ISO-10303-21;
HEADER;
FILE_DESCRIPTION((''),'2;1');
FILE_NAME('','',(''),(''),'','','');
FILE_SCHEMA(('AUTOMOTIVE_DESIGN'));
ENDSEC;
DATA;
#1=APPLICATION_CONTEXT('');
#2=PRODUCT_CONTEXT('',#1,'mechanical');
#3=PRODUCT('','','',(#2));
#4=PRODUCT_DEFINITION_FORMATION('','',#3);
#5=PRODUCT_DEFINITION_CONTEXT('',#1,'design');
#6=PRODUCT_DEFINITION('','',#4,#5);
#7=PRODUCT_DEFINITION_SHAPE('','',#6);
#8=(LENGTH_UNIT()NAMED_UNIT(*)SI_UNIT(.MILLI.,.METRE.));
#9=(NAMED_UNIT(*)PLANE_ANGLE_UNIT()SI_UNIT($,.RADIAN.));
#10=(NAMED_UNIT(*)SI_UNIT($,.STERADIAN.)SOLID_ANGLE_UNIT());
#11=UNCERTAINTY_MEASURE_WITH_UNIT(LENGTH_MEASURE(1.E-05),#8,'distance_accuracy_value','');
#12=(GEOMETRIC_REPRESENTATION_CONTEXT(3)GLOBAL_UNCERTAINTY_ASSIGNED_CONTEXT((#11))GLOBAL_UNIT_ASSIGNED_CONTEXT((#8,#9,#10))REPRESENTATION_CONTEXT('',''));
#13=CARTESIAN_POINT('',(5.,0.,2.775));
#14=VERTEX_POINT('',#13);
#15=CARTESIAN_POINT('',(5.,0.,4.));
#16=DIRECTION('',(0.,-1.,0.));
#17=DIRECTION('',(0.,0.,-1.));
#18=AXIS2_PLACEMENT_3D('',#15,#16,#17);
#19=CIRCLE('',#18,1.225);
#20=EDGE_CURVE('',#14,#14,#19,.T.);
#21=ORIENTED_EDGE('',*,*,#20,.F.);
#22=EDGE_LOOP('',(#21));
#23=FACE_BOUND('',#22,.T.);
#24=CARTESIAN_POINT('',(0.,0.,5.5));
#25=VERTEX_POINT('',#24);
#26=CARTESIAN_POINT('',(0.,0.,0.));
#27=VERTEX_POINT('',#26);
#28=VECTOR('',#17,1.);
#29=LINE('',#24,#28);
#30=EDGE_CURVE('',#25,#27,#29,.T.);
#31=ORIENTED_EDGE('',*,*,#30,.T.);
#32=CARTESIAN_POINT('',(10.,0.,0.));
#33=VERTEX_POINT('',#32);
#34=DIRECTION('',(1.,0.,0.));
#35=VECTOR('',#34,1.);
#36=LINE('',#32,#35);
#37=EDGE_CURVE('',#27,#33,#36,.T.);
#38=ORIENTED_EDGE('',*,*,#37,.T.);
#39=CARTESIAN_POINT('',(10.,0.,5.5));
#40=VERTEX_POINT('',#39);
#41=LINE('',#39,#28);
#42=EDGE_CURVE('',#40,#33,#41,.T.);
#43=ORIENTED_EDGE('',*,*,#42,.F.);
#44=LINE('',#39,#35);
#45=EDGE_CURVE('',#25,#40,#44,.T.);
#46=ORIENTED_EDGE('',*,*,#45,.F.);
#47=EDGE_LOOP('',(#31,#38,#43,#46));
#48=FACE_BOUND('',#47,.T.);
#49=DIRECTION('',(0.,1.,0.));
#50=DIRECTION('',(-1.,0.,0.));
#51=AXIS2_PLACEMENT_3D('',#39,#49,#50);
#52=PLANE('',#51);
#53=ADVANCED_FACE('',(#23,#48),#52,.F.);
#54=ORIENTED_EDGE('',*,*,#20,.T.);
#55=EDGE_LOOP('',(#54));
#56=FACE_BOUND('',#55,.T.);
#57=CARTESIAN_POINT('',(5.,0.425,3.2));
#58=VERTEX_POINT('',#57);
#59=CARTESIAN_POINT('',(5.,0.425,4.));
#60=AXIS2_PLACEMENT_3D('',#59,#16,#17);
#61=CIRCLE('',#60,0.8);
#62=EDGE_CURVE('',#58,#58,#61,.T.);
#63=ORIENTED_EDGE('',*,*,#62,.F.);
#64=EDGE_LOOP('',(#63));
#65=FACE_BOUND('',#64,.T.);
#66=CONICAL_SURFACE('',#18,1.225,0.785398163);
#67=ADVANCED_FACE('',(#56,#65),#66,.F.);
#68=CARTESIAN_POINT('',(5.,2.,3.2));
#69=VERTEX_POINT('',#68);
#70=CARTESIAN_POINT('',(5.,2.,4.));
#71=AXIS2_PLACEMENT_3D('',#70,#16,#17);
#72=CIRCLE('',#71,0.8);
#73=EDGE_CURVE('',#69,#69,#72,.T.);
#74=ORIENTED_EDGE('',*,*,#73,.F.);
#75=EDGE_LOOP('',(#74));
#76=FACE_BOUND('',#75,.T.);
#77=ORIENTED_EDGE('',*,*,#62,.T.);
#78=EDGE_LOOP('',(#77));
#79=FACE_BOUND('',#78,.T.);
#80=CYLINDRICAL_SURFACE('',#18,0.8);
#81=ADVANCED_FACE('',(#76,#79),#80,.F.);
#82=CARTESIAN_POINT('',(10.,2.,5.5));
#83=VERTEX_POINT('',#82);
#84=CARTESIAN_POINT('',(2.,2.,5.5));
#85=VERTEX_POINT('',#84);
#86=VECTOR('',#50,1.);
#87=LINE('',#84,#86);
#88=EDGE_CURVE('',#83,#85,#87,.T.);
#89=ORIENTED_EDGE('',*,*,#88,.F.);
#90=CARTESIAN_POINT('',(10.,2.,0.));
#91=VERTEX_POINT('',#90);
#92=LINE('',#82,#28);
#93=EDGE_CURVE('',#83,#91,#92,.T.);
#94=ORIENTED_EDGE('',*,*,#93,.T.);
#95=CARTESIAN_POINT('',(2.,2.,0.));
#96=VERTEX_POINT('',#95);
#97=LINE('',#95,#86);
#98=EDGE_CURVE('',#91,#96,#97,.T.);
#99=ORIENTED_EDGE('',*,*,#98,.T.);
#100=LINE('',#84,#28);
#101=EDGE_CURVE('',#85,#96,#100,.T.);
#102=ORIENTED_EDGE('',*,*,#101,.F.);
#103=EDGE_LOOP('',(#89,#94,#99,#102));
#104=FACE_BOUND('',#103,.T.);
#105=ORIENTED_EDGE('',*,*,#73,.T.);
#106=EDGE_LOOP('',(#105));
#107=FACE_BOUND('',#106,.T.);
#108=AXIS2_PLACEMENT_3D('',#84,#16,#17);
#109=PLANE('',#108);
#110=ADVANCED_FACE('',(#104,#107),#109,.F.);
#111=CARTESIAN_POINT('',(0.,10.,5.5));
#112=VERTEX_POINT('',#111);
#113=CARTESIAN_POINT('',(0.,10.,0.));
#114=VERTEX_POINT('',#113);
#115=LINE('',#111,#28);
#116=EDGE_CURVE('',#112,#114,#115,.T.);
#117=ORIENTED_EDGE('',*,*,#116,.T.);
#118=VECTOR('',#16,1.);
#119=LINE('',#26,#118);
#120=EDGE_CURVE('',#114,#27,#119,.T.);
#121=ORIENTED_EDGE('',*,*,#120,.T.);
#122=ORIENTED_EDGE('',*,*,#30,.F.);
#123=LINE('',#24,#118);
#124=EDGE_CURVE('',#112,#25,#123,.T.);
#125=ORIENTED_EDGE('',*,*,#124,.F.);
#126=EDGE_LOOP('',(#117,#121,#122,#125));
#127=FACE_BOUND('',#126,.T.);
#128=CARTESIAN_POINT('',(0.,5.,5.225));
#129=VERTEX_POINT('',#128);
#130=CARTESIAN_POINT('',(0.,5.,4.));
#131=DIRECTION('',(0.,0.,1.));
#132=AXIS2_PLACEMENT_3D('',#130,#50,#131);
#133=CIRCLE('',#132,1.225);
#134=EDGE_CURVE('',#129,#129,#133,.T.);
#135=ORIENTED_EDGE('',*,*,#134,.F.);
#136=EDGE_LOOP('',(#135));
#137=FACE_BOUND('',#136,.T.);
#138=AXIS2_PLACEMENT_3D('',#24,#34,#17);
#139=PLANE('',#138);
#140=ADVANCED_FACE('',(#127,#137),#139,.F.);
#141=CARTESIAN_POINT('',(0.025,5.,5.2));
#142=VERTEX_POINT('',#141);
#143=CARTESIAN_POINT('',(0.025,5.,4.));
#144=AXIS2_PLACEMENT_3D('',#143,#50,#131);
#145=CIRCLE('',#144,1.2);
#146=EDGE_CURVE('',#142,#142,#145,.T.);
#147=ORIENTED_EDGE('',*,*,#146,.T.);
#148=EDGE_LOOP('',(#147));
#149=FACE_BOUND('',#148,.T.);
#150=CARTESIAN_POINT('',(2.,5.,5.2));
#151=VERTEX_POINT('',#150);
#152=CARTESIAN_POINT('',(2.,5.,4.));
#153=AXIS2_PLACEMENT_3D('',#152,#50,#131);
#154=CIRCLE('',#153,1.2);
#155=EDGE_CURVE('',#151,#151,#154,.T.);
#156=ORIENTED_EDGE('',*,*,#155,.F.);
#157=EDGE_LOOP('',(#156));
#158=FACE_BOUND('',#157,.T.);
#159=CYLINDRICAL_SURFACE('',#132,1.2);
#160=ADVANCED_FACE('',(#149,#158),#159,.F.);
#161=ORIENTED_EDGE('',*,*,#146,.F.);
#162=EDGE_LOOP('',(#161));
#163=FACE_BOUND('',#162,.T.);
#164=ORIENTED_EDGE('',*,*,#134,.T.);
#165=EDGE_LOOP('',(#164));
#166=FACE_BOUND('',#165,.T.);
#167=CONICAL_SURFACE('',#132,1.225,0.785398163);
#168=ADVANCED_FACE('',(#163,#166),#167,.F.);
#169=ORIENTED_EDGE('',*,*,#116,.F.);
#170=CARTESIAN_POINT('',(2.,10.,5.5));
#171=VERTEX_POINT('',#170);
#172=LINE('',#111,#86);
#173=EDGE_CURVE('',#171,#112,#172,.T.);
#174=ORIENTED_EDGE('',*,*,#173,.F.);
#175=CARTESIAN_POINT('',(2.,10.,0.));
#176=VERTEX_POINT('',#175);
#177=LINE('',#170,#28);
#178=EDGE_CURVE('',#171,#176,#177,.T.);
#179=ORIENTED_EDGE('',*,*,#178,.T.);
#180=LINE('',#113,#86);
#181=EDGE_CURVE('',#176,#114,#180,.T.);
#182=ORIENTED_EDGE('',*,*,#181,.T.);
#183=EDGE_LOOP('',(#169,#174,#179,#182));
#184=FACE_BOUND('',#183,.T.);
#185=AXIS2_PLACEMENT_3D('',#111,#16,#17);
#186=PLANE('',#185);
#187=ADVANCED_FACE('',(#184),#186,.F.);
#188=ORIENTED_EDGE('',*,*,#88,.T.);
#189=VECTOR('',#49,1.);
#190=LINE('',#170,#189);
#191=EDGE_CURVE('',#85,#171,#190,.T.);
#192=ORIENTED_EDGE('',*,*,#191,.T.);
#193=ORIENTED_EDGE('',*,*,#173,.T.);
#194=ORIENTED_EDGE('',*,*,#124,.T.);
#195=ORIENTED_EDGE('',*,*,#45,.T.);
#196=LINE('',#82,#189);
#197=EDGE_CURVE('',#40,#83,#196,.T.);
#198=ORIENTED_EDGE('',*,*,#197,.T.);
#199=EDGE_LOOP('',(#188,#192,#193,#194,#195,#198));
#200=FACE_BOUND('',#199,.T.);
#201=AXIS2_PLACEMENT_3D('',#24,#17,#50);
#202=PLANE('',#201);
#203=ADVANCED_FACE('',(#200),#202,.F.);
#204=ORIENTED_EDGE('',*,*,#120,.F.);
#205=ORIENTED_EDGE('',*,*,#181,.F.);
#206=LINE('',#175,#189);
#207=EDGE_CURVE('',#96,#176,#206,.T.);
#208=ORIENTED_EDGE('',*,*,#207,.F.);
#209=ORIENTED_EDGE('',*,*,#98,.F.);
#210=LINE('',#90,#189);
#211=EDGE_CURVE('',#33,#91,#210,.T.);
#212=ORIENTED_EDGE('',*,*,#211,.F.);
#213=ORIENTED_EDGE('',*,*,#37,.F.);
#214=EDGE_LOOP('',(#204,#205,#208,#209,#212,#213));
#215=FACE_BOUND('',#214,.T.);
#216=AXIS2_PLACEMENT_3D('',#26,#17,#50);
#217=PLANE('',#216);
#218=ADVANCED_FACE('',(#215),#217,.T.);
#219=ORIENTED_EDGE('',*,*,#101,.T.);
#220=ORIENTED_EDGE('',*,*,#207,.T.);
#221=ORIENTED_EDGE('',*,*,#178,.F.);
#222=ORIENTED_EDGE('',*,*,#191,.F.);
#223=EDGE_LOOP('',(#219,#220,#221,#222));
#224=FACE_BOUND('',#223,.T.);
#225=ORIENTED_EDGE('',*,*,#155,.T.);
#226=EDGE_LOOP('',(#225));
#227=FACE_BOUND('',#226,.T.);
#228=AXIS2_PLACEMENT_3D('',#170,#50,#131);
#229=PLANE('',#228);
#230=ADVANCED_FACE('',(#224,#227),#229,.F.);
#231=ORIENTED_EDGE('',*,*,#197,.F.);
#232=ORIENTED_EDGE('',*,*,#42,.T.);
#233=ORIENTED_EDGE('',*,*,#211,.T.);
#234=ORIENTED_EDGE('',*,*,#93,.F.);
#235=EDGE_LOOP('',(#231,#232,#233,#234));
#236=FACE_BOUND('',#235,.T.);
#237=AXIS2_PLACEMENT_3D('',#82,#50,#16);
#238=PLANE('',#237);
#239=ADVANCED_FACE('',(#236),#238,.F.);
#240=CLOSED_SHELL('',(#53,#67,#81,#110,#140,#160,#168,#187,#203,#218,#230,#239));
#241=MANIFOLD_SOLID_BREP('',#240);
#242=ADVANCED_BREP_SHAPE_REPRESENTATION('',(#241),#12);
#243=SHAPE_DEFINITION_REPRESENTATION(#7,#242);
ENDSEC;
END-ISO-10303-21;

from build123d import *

# Parameters (mm, degrees)
BOSS_EXTRUDE1_DEPTH             = 5.5
M2_CLEARANCE_HOLE1_D            = 2.4
M2_CLEARANCE_HOLE1_CSINK_D      = 2.45
M2_CLEARANCE_HOLE1_CSINK_ANGLE  = 90
M2X0_4_TAPPED_HOLE1_D           = 1.6
M2X0_4_TAPPED_HOLE1_CSINK_D     = 2.45
M2X0_4_TAPPED_HOLE1_CSINK_ANGLE = 90


with BuildPart() as part:
    # Sketch1 → Boss-Extrude1 (new body)
    with BuildSketch(Plane.XY):
        Polygon((0, 0), (0, 10), (2, 10), (2, 2), (10, 2), (10, 0), align=None)
    extrude(amount=BOSS_EXTRUDE1_DEPTH)

    # M2 Clearance Hole1 (through all)
    with Locations(Plane.ZY):
        with Locations((4, 5)):
            CounterSinkHole(M2_CLEARANCE_HOLE1_D / 2, M2_CLEARANCE_HOLE1_CSINK_D / 2, counter_sink_angle=M2_CLEARANCE_HOLE1_CSINK_ANGLE)

    # M2x0.4 Tapped Hole1 (through all)
    with Locations(Plane(origin=(0, 0, 0), x_dir=(-1, 0, 0), z_dir=(0, -1, 0))):
        with Locations((-5, -4)):
            CounterSinkHole(M2X0_4_TAPPED_HOLE1_D / 2, M2X0_4_TAPPED_HOLE1_CSINK_D / 2, counter_sink_angle=M2X0_4_TAPPED_HOLE1_CSINK_ANGLE)


solid = part.part
